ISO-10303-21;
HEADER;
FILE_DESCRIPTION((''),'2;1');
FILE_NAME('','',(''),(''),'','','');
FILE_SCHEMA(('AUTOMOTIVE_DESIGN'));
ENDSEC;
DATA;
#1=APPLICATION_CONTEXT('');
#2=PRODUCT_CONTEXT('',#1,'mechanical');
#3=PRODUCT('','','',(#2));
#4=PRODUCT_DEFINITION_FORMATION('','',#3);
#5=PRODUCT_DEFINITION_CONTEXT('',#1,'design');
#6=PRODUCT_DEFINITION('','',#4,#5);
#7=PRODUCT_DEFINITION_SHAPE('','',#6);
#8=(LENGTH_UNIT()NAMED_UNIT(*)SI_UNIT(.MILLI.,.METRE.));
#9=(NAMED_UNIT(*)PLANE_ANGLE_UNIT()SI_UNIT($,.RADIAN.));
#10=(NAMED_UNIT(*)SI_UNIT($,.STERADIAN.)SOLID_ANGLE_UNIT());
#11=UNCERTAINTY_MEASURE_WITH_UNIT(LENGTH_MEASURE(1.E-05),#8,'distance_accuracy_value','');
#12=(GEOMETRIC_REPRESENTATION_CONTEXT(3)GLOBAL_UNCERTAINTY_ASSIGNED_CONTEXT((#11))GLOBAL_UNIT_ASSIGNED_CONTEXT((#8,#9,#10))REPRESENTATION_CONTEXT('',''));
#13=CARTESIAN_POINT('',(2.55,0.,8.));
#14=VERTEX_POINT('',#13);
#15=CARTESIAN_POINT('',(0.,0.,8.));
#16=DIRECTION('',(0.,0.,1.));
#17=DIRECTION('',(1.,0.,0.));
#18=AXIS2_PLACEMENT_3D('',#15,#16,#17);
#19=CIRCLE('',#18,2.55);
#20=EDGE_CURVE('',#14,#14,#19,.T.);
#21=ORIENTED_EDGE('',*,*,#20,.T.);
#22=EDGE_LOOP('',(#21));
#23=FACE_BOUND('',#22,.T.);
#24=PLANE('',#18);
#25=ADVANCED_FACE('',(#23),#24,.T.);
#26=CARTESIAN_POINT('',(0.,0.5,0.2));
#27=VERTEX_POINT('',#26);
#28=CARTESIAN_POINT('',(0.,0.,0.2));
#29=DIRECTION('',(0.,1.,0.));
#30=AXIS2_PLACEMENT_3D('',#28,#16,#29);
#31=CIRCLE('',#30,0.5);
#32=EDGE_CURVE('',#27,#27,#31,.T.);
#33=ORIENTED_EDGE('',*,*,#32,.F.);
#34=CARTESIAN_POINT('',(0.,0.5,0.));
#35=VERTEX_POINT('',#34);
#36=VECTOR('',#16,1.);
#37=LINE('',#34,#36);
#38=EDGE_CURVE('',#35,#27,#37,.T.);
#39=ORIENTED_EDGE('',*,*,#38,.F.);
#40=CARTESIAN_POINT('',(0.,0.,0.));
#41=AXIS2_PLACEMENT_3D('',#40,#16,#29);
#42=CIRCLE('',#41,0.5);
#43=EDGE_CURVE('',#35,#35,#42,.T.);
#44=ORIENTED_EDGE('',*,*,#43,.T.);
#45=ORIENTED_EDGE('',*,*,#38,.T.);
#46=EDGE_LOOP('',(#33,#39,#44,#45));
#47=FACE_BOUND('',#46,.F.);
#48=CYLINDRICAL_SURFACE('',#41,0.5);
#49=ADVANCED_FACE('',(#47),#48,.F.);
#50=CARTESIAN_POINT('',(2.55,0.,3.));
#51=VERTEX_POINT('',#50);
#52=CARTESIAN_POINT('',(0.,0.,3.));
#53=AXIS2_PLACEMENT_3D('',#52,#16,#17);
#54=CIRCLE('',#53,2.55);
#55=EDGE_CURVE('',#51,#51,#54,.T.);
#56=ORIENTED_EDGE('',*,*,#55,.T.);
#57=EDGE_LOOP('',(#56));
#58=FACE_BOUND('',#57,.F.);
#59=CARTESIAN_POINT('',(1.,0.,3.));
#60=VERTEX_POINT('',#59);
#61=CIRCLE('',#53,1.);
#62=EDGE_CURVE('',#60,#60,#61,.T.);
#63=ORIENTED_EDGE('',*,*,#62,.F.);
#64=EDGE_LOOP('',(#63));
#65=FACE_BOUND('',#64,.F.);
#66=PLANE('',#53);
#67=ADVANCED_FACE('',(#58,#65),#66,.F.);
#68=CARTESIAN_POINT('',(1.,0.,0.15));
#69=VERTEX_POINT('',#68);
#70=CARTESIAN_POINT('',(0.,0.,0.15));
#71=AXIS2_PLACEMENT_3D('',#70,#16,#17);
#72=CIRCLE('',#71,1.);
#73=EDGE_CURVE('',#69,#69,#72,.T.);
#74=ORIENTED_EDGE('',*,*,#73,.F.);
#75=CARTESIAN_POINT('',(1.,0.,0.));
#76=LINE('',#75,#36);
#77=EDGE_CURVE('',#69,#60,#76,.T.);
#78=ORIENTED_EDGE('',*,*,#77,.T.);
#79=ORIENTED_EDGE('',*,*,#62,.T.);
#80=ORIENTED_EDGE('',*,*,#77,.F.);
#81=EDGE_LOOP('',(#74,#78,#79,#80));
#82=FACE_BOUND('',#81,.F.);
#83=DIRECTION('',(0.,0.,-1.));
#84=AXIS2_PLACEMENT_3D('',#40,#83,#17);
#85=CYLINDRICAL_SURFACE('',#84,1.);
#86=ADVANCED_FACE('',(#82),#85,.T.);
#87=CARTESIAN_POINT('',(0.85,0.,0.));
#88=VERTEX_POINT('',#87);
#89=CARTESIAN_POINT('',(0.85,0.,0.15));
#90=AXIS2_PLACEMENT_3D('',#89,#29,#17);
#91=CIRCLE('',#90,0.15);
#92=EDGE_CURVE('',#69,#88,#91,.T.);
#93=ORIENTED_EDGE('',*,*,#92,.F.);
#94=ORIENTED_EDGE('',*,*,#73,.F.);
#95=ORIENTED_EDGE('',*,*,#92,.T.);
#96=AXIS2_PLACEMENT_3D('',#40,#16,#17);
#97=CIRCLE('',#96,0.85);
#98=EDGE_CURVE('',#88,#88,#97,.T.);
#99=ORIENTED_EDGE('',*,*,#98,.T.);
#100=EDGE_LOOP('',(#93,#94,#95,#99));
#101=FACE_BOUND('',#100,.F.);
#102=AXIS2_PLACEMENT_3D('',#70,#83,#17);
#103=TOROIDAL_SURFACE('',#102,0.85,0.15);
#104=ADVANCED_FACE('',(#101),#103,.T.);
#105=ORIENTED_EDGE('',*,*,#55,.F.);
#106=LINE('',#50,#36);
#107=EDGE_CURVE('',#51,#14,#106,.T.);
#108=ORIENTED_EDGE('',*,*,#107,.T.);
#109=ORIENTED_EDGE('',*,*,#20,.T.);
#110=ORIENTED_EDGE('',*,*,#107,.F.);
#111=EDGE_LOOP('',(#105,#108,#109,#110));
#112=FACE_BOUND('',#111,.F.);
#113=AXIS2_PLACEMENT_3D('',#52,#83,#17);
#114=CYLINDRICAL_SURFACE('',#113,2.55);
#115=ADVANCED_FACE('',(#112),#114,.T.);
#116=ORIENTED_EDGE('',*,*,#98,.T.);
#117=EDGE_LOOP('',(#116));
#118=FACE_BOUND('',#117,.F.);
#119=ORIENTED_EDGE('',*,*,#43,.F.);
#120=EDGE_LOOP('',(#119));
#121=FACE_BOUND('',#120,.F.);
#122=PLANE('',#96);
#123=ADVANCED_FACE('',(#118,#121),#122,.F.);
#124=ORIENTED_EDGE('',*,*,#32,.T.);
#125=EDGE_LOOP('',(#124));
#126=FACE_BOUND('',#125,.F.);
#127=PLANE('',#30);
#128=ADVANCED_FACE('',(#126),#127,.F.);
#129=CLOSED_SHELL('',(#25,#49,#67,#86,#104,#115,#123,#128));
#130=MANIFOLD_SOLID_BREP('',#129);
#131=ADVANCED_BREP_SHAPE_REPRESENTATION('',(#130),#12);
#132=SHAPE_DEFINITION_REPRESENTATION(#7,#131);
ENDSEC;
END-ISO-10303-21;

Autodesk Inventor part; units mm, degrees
ref_plane "YZ Plane" through (0, 0, 0) normal (1, 0, 0) x (0, 1, 0)
ref_plane "XZ Plane" through (0, 0, 0) normal (0, 1, 0) x (-1, 0, 0)
ref_plane "XY Plane" through (0, 0, 0) normal (0, 0, 1) x (1, 0, 0)
sketch "Sketch1" plane through (0, 0, 0) normal (0, 0, 1) x (1, 0, 0)
  circle A0 centre (0, 0) radius 1
  dimension "d0" = 2
extrude "Extrusion1" add sketch "Sketch1" along normal blind 3
sketch "Sketch2" plane through (0, 0, 3) normal (0, 0, 1) x (1, 0, 0)
  circle A0 centre (0, 0) radius 1 projected
  circle A1 centre (0, 0) radius 2.55
  dimension "d3" = 5.1
extrude "Extrusion2" add sketch "Sketch2" along normal blind 5 contours A0 | A1
fillet "Fillet1" radius 0.15 1 edges at (-1, 0, 0)
sketch "Sketch3" plane through (0, 0, 0) normal (0, 0, -1) x (-1, 0, 0)
  circle A0 centre (0, 0) radius 0.85 projected
  circle A1 centre (0, 0) radius 0.5
  dimension "d7" = 1
extrude "Extrusion3" [suppressed]
hole "Hole1" at (0, 0, 0) direction (0, 0, 1) diameter 1 depth 0.2
properties part number "Jig_Bearing_Asm_Pusher"
